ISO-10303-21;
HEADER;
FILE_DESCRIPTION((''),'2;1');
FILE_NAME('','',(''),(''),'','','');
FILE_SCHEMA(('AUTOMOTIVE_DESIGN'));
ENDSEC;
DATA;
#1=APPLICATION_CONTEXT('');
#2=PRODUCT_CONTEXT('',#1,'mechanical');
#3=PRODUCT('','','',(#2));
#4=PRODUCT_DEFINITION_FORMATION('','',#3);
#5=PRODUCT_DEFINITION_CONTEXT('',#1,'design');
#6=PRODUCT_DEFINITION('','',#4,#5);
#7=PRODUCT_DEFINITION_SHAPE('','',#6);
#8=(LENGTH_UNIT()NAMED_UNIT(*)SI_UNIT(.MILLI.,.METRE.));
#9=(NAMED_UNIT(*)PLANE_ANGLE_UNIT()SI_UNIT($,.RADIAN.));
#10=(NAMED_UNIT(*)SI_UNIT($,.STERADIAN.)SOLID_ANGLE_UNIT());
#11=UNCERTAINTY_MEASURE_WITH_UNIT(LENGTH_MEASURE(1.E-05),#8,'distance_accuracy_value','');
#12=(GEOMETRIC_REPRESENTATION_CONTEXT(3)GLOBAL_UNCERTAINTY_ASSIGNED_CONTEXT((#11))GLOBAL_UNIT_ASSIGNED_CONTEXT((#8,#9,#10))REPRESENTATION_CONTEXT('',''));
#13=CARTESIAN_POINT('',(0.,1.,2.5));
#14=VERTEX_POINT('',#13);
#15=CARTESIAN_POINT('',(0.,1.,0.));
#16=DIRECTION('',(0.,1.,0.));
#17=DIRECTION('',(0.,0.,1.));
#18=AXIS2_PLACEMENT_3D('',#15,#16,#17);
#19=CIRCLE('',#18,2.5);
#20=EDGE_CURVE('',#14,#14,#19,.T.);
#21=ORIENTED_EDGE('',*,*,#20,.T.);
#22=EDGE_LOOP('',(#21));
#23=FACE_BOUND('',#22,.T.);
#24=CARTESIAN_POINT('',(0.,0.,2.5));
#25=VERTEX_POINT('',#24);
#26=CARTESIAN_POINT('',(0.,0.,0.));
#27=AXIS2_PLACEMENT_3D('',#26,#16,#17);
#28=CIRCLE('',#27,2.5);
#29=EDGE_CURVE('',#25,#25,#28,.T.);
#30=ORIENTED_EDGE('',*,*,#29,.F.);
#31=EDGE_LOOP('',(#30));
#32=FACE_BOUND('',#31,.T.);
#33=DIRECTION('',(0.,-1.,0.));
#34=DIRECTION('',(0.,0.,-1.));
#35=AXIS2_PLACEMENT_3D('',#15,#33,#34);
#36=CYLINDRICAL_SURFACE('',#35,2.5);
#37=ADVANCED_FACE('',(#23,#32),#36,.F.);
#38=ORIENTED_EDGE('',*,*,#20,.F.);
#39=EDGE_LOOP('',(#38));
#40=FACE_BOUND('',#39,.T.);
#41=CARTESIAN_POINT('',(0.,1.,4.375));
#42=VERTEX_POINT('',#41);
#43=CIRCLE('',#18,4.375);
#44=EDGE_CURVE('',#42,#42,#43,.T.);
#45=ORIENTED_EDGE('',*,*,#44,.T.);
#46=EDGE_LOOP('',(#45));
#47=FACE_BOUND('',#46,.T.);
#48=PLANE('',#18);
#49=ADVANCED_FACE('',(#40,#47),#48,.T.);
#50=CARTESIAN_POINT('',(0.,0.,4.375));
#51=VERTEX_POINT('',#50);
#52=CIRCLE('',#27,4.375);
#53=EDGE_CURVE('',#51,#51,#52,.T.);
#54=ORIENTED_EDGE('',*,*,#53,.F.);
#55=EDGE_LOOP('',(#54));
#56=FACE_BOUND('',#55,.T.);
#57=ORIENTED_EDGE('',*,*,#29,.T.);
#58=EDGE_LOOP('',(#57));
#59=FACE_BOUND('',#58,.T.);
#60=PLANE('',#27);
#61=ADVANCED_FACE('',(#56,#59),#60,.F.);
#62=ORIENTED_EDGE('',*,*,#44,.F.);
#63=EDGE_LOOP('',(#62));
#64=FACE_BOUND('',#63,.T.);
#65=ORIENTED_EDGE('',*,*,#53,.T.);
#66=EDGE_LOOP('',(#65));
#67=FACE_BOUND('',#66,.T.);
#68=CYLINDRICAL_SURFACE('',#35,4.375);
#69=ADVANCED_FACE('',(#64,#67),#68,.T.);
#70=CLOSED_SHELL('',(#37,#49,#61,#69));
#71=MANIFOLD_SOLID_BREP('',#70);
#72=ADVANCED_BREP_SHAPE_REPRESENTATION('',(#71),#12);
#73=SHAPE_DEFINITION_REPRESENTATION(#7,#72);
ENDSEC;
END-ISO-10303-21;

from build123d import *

# Parameters (mm, degrees)
SKETCH1_R           = 4.375
SKETCH1_R_2         = 2.5
BOSS_EXTRUDE1_DEPTH = 1


with BuildPart() as part:
    # Sketch1 → Boss-Extrude1 (new body)
    with BuildSketch(Plane(origin=(0, 0, 0), x_dir=(1, 0, 0), z_dir=(0, 1, 0))):
        Circle(SKETCH1_R)
        Circle(SKETCH1_R_2, mode=Mode.SUBTRACT)
    extrude(amount=BOSS_EXTRUDE1_DEPTH)


solid = part.part
